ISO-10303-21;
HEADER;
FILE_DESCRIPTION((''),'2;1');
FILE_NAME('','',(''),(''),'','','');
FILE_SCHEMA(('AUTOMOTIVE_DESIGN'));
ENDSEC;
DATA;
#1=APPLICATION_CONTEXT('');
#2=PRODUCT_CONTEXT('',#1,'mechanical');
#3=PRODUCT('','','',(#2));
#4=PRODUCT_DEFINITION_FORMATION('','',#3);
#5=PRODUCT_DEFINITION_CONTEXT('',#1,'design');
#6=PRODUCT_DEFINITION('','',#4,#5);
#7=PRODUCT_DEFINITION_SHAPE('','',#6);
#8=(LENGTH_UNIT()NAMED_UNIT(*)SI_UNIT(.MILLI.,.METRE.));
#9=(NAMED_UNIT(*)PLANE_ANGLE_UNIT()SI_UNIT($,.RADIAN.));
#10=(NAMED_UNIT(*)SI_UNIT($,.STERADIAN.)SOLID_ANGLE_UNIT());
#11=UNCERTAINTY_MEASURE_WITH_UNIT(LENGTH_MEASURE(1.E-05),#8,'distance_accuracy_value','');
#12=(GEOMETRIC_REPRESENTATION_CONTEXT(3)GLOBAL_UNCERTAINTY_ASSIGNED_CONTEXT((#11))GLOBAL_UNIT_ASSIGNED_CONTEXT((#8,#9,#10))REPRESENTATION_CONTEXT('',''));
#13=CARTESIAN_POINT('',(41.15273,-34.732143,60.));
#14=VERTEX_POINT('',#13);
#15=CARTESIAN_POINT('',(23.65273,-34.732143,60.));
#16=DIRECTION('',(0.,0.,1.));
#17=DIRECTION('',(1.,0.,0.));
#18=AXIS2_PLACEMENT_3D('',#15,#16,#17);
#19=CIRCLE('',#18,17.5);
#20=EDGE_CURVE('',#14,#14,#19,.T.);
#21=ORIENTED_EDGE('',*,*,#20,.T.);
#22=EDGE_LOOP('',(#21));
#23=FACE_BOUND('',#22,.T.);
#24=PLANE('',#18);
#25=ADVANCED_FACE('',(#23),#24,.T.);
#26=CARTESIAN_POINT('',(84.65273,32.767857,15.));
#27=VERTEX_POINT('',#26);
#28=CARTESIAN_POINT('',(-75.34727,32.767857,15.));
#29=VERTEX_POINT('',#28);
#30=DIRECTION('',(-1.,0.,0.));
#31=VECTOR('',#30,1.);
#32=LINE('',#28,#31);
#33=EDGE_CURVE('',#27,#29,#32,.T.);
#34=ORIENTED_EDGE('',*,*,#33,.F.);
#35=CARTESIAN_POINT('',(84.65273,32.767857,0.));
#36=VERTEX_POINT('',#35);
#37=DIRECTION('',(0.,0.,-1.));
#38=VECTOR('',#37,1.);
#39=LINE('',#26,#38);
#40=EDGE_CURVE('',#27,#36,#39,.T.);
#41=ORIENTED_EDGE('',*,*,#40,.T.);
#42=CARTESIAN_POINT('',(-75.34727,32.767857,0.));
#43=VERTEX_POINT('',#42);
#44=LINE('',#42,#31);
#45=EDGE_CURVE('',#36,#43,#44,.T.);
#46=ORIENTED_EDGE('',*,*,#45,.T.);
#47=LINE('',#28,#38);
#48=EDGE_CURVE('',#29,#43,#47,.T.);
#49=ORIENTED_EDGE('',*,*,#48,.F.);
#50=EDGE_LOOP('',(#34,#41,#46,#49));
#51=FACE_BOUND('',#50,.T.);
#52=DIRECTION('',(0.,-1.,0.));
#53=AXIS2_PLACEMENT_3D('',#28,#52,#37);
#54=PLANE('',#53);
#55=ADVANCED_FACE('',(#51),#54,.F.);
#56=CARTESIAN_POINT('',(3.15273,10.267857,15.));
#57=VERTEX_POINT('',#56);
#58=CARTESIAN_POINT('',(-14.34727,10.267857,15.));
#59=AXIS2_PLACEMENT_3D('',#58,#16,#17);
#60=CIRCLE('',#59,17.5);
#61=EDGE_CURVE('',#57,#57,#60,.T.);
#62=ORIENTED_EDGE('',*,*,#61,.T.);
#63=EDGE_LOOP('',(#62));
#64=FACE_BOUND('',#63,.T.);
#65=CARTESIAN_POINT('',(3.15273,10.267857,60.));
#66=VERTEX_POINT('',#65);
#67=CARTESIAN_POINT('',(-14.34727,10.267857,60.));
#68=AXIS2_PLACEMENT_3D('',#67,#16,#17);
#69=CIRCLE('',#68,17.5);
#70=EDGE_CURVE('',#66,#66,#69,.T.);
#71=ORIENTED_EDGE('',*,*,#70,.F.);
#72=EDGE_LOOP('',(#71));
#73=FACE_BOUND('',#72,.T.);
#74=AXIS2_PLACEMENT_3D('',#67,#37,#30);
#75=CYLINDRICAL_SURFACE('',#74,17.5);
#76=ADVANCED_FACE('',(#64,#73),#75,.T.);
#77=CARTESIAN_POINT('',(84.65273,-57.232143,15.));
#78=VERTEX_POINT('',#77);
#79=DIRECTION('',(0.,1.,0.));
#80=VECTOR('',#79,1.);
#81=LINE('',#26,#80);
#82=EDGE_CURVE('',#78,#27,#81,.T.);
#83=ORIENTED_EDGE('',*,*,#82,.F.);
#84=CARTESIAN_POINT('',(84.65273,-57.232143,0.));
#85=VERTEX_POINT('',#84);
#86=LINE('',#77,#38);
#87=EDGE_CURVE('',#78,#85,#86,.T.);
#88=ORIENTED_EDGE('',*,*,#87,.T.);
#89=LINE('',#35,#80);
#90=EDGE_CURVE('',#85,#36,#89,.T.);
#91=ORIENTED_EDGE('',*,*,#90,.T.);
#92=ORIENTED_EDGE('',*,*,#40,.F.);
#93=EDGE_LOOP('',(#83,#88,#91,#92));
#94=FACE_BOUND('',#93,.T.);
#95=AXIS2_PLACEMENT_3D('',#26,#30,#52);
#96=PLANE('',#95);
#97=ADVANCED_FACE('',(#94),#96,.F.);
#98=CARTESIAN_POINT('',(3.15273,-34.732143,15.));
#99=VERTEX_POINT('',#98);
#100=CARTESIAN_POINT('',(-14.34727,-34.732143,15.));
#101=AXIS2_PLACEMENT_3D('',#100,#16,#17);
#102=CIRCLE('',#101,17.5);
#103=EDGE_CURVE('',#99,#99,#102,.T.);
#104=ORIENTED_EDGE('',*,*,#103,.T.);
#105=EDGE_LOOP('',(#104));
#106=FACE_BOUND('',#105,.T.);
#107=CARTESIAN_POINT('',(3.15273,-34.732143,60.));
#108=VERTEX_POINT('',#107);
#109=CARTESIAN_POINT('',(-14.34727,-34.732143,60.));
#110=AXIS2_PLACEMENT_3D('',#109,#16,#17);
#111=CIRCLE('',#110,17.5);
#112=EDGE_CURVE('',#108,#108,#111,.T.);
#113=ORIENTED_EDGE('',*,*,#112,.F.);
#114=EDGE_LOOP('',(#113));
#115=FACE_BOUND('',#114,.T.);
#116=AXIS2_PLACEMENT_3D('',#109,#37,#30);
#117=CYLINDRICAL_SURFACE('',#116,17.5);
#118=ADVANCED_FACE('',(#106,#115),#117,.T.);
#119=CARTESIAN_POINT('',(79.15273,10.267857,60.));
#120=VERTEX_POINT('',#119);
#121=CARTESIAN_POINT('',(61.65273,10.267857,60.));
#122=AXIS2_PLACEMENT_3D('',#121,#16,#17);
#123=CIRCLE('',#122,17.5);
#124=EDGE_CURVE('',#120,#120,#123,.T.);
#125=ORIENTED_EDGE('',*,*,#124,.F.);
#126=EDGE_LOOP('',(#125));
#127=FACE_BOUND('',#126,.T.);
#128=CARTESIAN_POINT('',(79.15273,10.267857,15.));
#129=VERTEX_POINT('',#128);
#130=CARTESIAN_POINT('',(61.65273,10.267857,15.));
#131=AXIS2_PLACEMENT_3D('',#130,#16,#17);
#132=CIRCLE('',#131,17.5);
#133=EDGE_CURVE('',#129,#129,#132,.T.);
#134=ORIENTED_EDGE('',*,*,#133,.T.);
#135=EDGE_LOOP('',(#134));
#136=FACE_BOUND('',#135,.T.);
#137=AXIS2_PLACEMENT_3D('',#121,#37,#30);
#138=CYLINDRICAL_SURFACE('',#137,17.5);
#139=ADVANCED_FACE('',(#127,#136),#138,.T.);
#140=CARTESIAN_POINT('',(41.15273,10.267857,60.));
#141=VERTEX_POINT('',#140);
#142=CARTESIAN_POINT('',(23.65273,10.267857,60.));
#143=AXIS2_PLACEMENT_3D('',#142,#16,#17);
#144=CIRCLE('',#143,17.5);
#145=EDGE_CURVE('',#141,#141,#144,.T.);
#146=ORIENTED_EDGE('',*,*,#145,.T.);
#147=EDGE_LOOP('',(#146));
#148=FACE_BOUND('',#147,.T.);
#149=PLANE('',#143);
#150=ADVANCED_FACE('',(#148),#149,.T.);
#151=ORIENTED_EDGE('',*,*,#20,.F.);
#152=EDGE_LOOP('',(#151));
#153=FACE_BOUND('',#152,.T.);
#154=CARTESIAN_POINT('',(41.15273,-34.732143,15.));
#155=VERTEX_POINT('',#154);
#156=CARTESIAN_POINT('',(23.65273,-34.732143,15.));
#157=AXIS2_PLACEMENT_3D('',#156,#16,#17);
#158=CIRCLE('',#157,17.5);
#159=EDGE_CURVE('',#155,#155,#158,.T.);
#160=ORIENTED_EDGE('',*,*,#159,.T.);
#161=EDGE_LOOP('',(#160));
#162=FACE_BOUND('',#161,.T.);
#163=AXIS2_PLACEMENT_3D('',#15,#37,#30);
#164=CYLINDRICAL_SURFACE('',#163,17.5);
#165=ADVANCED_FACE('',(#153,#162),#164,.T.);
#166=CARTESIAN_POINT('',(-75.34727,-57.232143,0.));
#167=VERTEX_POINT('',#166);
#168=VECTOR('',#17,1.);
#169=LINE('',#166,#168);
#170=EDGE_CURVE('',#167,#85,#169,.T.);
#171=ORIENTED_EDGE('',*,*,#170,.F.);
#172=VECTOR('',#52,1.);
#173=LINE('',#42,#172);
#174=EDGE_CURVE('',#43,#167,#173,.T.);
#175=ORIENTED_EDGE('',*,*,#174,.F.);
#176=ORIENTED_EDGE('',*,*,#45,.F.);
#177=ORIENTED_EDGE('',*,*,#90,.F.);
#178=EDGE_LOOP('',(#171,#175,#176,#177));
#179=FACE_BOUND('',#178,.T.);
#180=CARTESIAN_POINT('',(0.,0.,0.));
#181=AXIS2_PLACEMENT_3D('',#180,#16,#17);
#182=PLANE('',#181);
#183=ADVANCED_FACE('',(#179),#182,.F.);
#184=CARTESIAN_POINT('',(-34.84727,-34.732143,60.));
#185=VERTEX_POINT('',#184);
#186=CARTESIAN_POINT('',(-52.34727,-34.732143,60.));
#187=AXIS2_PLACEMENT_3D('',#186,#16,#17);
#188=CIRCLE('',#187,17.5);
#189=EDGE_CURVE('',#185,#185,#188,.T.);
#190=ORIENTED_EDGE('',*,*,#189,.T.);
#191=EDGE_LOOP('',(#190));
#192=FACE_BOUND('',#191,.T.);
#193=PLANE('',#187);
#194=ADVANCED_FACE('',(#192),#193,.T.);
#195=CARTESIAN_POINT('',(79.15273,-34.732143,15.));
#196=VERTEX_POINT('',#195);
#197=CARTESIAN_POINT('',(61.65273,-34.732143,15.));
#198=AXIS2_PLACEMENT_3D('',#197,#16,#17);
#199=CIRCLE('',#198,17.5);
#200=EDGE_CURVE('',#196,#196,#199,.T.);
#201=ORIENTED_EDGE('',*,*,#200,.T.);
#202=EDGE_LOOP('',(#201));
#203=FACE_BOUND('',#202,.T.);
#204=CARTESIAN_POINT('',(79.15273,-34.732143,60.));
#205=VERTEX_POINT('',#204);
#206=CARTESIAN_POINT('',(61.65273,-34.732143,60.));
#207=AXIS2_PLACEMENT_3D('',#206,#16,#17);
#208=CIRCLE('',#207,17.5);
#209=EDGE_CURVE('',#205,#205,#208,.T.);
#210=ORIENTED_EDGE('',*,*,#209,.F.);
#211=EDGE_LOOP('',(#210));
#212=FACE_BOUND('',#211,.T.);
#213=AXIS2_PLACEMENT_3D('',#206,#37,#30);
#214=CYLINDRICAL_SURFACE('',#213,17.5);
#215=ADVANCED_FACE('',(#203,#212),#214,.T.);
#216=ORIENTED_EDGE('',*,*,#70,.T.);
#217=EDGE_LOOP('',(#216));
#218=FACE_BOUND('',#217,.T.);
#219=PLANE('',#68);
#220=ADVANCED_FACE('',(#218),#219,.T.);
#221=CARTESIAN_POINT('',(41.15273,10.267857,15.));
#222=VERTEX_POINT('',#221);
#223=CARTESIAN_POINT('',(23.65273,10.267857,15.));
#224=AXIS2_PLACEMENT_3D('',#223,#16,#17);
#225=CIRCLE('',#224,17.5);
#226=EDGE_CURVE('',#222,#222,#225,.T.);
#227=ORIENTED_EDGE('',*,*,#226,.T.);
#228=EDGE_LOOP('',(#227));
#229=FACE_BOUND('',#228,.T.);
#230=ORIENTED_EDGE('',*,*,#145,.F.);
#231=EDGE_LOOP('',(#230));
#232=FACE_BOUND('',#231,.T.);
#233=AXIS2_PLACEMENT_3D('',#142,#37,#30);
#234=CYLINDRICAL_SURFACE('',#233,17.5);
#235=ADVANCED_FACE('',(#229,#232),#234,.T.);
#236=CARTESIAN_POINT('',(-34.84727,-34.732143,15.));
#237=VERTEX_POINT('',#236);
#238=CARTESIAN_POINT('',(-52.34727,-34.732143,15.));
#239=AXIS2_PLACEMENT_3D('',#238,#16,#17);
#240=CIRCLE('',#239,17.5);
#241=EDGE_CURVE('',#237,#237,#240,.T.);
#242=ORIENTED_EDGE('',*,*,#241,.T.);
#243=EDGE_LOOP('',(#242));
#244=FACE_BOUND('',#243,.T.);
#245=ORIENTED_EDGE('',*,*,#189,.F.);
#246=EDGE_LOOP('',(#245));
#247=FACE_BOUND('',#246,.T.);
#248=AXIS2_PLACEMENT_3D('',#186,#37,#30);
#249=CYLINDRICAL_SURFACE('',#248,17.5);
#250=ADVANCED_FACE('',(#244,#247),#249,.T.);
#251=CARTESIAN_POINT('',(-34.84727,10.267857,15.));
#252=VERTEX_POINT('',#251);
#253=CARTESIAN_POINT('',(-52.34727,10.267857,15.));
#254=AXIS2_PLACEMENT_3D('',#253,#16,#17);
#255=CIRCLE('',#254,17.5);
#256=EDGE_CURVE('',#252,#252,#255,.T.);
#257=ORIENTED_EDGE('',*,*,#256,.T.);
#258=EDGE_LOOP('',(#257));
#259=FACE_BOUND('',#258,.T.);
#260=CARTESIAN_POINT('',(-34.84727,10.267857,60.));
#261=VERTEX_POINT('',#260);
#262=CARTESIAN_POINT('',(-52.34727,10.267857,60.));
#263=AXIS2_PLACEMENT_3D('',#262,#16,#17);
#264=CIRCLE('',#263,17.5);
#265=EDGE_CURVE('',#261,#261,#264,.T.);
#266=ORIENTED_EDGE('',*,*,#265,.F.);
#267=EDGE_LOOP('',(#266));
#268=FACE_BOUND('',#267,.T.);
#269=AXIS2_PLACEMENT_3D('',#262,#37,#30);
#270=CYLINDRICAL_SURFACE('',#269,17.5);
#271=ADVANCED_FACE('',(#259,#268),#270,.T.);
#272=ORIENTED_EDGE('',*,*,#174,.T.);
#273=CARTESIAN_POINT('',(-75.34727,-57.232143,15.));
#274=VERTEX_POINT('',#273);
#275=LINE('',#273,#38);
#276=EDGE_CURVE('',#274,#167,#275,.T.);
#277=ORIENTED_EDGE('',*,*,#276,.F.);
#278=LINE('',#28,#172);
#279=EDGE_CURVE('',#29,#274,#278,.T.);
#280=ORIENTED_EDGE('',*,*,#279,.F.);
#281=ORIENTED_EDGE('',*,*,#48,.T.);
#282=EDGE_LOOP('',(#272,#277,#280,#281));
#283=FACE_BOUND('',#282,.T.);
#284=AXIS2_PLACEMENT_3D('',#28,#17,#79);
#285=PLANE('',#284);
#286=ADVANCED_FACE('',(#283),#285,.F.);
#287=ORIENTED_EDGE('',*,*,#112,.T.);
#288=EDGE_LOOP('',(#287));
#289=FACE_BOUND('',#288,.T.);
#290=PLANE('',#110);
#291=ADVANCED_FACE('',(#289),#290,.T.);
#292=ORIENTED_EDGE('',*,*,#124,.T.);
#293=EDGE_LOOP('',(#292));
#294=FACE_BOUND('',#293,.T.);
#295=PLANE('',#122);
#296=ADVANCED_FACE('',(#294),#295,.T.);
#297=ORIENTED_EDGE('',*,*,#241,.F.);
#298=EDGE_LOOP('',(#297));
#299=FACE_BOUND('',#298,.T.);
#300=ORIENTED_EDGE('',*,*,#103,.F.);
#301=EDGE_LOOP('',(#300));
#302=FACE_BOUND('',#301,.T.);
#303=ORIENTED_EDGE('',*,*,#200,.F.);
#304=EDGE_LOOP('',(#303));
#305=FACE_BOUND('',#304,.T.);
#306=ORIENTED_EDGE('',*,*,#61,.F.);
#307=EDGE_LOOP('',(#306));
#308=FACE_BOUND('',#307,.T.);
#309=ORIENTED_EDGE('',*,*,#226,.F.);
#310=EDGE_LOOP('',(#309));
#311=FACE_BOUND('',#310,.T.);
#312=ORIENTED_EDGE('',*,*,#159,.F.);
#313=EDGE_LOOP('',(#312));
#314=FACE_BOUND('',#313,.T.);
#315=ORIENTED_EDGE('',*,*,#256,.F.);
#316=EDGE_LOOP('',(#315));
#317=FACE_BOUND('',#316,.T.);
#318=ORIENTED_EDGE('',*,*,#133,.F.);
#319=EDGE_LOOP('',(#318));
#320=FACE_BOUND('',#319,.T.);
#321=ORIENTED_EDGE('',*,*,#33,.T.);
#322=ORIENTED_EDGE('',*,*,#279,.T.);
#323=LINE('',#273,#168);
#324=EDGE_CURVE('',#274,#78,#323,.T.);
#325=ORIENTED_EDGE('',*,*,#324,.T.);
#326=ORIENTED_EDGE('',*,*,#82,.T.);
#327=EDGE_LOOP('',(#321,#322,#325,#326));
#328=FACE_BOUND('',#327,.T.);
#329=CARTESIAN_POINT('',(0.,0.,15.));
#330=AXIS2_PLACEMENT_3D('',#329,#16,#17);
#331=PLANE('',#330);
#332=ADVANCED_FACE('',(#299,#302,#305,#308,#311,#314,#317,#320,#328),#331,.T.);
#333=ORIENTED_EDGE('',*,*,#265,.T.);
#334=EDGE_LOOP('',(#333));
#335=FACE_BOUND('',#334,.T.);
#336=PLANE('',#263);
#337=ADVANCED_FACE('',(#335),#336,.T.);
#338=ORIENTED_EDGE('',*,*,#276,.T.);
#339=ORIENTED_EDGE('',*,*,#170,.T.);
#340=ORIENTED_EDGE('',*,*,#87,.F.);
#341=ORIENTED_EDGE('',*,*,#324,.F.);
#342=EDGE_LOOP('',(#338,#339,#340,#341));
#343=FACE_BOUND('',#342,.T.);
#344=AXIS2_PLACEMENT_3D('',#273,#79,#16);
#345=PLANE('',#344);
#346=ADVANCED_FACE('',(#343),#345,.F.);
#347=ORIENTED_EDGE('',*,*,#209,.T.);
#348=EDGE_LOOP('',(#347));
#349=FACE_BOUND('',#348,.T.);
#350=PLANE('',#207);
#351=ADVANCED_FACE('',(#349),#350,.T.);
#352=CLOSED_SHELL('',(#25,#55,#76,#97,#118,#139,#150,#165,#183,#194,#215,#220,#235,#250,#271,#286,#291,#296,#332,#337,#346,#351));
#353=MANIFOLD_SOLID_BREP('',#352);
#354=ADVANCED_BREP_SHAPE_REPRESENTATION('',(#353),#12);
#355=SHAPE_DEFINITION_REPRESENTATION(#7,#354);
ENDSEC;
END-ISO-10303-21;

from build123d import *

# Parameters (mm, degrees)
ESQUISSE1_W        = 160
ESQUISSE1_H        = 90
BOSS_EXTRU_1_DEPTH = 15
ESQUISSE2_R        = 17.5
BOSS_EXTRU_2_DEPTH = 45


with BuildPart() as part:
    # Esquisse1 → Boss.-Extru.1 (new body)
    with BuildSketch(Plane.XY):
        with Locations((4.652730082, -12.232142857)):
            Rectangle(ESQUISSE1_W, ESQUISSE1_H)
    extrude(amount=BOSS_EXTRU_1_DEPTH)

    # Esquisse2 → Boss.-Extru.2 (add)
    with BuildSketch(Plane.XY.offset(15)):
        with Locations((-52.347269918, 10.267857143)):
            Circle(ESQUISSE2_R)
        with Locations((-14.347269918, 10.267857143)):
            Circle(ESQUISSE2_R)
        with Locations((23.652730082, 10.267857143)):
            Circle(ESQUISSE2_R)
        with Locations((61.652730082, 10.267857143)):
            Circle(ESQUISSE2_R)
        with Locations((-14.347269918, -34.732142857)):
            Circle(ESQUISSE2_R)
        with Locations((23.652730082, -34.732142857)):
            Circle(ESQUISSE2_R)
        with Locations((61.652730082, -34.732142857)):
            Circle(ESQUISSE2_R)
        with Locations((-52.347269918, -34.732142857)):
            Circle(ESQUISSE2_R)
    extrude(amount=BOSS_EXTRU_2_DEPTH)


solid = part.part
